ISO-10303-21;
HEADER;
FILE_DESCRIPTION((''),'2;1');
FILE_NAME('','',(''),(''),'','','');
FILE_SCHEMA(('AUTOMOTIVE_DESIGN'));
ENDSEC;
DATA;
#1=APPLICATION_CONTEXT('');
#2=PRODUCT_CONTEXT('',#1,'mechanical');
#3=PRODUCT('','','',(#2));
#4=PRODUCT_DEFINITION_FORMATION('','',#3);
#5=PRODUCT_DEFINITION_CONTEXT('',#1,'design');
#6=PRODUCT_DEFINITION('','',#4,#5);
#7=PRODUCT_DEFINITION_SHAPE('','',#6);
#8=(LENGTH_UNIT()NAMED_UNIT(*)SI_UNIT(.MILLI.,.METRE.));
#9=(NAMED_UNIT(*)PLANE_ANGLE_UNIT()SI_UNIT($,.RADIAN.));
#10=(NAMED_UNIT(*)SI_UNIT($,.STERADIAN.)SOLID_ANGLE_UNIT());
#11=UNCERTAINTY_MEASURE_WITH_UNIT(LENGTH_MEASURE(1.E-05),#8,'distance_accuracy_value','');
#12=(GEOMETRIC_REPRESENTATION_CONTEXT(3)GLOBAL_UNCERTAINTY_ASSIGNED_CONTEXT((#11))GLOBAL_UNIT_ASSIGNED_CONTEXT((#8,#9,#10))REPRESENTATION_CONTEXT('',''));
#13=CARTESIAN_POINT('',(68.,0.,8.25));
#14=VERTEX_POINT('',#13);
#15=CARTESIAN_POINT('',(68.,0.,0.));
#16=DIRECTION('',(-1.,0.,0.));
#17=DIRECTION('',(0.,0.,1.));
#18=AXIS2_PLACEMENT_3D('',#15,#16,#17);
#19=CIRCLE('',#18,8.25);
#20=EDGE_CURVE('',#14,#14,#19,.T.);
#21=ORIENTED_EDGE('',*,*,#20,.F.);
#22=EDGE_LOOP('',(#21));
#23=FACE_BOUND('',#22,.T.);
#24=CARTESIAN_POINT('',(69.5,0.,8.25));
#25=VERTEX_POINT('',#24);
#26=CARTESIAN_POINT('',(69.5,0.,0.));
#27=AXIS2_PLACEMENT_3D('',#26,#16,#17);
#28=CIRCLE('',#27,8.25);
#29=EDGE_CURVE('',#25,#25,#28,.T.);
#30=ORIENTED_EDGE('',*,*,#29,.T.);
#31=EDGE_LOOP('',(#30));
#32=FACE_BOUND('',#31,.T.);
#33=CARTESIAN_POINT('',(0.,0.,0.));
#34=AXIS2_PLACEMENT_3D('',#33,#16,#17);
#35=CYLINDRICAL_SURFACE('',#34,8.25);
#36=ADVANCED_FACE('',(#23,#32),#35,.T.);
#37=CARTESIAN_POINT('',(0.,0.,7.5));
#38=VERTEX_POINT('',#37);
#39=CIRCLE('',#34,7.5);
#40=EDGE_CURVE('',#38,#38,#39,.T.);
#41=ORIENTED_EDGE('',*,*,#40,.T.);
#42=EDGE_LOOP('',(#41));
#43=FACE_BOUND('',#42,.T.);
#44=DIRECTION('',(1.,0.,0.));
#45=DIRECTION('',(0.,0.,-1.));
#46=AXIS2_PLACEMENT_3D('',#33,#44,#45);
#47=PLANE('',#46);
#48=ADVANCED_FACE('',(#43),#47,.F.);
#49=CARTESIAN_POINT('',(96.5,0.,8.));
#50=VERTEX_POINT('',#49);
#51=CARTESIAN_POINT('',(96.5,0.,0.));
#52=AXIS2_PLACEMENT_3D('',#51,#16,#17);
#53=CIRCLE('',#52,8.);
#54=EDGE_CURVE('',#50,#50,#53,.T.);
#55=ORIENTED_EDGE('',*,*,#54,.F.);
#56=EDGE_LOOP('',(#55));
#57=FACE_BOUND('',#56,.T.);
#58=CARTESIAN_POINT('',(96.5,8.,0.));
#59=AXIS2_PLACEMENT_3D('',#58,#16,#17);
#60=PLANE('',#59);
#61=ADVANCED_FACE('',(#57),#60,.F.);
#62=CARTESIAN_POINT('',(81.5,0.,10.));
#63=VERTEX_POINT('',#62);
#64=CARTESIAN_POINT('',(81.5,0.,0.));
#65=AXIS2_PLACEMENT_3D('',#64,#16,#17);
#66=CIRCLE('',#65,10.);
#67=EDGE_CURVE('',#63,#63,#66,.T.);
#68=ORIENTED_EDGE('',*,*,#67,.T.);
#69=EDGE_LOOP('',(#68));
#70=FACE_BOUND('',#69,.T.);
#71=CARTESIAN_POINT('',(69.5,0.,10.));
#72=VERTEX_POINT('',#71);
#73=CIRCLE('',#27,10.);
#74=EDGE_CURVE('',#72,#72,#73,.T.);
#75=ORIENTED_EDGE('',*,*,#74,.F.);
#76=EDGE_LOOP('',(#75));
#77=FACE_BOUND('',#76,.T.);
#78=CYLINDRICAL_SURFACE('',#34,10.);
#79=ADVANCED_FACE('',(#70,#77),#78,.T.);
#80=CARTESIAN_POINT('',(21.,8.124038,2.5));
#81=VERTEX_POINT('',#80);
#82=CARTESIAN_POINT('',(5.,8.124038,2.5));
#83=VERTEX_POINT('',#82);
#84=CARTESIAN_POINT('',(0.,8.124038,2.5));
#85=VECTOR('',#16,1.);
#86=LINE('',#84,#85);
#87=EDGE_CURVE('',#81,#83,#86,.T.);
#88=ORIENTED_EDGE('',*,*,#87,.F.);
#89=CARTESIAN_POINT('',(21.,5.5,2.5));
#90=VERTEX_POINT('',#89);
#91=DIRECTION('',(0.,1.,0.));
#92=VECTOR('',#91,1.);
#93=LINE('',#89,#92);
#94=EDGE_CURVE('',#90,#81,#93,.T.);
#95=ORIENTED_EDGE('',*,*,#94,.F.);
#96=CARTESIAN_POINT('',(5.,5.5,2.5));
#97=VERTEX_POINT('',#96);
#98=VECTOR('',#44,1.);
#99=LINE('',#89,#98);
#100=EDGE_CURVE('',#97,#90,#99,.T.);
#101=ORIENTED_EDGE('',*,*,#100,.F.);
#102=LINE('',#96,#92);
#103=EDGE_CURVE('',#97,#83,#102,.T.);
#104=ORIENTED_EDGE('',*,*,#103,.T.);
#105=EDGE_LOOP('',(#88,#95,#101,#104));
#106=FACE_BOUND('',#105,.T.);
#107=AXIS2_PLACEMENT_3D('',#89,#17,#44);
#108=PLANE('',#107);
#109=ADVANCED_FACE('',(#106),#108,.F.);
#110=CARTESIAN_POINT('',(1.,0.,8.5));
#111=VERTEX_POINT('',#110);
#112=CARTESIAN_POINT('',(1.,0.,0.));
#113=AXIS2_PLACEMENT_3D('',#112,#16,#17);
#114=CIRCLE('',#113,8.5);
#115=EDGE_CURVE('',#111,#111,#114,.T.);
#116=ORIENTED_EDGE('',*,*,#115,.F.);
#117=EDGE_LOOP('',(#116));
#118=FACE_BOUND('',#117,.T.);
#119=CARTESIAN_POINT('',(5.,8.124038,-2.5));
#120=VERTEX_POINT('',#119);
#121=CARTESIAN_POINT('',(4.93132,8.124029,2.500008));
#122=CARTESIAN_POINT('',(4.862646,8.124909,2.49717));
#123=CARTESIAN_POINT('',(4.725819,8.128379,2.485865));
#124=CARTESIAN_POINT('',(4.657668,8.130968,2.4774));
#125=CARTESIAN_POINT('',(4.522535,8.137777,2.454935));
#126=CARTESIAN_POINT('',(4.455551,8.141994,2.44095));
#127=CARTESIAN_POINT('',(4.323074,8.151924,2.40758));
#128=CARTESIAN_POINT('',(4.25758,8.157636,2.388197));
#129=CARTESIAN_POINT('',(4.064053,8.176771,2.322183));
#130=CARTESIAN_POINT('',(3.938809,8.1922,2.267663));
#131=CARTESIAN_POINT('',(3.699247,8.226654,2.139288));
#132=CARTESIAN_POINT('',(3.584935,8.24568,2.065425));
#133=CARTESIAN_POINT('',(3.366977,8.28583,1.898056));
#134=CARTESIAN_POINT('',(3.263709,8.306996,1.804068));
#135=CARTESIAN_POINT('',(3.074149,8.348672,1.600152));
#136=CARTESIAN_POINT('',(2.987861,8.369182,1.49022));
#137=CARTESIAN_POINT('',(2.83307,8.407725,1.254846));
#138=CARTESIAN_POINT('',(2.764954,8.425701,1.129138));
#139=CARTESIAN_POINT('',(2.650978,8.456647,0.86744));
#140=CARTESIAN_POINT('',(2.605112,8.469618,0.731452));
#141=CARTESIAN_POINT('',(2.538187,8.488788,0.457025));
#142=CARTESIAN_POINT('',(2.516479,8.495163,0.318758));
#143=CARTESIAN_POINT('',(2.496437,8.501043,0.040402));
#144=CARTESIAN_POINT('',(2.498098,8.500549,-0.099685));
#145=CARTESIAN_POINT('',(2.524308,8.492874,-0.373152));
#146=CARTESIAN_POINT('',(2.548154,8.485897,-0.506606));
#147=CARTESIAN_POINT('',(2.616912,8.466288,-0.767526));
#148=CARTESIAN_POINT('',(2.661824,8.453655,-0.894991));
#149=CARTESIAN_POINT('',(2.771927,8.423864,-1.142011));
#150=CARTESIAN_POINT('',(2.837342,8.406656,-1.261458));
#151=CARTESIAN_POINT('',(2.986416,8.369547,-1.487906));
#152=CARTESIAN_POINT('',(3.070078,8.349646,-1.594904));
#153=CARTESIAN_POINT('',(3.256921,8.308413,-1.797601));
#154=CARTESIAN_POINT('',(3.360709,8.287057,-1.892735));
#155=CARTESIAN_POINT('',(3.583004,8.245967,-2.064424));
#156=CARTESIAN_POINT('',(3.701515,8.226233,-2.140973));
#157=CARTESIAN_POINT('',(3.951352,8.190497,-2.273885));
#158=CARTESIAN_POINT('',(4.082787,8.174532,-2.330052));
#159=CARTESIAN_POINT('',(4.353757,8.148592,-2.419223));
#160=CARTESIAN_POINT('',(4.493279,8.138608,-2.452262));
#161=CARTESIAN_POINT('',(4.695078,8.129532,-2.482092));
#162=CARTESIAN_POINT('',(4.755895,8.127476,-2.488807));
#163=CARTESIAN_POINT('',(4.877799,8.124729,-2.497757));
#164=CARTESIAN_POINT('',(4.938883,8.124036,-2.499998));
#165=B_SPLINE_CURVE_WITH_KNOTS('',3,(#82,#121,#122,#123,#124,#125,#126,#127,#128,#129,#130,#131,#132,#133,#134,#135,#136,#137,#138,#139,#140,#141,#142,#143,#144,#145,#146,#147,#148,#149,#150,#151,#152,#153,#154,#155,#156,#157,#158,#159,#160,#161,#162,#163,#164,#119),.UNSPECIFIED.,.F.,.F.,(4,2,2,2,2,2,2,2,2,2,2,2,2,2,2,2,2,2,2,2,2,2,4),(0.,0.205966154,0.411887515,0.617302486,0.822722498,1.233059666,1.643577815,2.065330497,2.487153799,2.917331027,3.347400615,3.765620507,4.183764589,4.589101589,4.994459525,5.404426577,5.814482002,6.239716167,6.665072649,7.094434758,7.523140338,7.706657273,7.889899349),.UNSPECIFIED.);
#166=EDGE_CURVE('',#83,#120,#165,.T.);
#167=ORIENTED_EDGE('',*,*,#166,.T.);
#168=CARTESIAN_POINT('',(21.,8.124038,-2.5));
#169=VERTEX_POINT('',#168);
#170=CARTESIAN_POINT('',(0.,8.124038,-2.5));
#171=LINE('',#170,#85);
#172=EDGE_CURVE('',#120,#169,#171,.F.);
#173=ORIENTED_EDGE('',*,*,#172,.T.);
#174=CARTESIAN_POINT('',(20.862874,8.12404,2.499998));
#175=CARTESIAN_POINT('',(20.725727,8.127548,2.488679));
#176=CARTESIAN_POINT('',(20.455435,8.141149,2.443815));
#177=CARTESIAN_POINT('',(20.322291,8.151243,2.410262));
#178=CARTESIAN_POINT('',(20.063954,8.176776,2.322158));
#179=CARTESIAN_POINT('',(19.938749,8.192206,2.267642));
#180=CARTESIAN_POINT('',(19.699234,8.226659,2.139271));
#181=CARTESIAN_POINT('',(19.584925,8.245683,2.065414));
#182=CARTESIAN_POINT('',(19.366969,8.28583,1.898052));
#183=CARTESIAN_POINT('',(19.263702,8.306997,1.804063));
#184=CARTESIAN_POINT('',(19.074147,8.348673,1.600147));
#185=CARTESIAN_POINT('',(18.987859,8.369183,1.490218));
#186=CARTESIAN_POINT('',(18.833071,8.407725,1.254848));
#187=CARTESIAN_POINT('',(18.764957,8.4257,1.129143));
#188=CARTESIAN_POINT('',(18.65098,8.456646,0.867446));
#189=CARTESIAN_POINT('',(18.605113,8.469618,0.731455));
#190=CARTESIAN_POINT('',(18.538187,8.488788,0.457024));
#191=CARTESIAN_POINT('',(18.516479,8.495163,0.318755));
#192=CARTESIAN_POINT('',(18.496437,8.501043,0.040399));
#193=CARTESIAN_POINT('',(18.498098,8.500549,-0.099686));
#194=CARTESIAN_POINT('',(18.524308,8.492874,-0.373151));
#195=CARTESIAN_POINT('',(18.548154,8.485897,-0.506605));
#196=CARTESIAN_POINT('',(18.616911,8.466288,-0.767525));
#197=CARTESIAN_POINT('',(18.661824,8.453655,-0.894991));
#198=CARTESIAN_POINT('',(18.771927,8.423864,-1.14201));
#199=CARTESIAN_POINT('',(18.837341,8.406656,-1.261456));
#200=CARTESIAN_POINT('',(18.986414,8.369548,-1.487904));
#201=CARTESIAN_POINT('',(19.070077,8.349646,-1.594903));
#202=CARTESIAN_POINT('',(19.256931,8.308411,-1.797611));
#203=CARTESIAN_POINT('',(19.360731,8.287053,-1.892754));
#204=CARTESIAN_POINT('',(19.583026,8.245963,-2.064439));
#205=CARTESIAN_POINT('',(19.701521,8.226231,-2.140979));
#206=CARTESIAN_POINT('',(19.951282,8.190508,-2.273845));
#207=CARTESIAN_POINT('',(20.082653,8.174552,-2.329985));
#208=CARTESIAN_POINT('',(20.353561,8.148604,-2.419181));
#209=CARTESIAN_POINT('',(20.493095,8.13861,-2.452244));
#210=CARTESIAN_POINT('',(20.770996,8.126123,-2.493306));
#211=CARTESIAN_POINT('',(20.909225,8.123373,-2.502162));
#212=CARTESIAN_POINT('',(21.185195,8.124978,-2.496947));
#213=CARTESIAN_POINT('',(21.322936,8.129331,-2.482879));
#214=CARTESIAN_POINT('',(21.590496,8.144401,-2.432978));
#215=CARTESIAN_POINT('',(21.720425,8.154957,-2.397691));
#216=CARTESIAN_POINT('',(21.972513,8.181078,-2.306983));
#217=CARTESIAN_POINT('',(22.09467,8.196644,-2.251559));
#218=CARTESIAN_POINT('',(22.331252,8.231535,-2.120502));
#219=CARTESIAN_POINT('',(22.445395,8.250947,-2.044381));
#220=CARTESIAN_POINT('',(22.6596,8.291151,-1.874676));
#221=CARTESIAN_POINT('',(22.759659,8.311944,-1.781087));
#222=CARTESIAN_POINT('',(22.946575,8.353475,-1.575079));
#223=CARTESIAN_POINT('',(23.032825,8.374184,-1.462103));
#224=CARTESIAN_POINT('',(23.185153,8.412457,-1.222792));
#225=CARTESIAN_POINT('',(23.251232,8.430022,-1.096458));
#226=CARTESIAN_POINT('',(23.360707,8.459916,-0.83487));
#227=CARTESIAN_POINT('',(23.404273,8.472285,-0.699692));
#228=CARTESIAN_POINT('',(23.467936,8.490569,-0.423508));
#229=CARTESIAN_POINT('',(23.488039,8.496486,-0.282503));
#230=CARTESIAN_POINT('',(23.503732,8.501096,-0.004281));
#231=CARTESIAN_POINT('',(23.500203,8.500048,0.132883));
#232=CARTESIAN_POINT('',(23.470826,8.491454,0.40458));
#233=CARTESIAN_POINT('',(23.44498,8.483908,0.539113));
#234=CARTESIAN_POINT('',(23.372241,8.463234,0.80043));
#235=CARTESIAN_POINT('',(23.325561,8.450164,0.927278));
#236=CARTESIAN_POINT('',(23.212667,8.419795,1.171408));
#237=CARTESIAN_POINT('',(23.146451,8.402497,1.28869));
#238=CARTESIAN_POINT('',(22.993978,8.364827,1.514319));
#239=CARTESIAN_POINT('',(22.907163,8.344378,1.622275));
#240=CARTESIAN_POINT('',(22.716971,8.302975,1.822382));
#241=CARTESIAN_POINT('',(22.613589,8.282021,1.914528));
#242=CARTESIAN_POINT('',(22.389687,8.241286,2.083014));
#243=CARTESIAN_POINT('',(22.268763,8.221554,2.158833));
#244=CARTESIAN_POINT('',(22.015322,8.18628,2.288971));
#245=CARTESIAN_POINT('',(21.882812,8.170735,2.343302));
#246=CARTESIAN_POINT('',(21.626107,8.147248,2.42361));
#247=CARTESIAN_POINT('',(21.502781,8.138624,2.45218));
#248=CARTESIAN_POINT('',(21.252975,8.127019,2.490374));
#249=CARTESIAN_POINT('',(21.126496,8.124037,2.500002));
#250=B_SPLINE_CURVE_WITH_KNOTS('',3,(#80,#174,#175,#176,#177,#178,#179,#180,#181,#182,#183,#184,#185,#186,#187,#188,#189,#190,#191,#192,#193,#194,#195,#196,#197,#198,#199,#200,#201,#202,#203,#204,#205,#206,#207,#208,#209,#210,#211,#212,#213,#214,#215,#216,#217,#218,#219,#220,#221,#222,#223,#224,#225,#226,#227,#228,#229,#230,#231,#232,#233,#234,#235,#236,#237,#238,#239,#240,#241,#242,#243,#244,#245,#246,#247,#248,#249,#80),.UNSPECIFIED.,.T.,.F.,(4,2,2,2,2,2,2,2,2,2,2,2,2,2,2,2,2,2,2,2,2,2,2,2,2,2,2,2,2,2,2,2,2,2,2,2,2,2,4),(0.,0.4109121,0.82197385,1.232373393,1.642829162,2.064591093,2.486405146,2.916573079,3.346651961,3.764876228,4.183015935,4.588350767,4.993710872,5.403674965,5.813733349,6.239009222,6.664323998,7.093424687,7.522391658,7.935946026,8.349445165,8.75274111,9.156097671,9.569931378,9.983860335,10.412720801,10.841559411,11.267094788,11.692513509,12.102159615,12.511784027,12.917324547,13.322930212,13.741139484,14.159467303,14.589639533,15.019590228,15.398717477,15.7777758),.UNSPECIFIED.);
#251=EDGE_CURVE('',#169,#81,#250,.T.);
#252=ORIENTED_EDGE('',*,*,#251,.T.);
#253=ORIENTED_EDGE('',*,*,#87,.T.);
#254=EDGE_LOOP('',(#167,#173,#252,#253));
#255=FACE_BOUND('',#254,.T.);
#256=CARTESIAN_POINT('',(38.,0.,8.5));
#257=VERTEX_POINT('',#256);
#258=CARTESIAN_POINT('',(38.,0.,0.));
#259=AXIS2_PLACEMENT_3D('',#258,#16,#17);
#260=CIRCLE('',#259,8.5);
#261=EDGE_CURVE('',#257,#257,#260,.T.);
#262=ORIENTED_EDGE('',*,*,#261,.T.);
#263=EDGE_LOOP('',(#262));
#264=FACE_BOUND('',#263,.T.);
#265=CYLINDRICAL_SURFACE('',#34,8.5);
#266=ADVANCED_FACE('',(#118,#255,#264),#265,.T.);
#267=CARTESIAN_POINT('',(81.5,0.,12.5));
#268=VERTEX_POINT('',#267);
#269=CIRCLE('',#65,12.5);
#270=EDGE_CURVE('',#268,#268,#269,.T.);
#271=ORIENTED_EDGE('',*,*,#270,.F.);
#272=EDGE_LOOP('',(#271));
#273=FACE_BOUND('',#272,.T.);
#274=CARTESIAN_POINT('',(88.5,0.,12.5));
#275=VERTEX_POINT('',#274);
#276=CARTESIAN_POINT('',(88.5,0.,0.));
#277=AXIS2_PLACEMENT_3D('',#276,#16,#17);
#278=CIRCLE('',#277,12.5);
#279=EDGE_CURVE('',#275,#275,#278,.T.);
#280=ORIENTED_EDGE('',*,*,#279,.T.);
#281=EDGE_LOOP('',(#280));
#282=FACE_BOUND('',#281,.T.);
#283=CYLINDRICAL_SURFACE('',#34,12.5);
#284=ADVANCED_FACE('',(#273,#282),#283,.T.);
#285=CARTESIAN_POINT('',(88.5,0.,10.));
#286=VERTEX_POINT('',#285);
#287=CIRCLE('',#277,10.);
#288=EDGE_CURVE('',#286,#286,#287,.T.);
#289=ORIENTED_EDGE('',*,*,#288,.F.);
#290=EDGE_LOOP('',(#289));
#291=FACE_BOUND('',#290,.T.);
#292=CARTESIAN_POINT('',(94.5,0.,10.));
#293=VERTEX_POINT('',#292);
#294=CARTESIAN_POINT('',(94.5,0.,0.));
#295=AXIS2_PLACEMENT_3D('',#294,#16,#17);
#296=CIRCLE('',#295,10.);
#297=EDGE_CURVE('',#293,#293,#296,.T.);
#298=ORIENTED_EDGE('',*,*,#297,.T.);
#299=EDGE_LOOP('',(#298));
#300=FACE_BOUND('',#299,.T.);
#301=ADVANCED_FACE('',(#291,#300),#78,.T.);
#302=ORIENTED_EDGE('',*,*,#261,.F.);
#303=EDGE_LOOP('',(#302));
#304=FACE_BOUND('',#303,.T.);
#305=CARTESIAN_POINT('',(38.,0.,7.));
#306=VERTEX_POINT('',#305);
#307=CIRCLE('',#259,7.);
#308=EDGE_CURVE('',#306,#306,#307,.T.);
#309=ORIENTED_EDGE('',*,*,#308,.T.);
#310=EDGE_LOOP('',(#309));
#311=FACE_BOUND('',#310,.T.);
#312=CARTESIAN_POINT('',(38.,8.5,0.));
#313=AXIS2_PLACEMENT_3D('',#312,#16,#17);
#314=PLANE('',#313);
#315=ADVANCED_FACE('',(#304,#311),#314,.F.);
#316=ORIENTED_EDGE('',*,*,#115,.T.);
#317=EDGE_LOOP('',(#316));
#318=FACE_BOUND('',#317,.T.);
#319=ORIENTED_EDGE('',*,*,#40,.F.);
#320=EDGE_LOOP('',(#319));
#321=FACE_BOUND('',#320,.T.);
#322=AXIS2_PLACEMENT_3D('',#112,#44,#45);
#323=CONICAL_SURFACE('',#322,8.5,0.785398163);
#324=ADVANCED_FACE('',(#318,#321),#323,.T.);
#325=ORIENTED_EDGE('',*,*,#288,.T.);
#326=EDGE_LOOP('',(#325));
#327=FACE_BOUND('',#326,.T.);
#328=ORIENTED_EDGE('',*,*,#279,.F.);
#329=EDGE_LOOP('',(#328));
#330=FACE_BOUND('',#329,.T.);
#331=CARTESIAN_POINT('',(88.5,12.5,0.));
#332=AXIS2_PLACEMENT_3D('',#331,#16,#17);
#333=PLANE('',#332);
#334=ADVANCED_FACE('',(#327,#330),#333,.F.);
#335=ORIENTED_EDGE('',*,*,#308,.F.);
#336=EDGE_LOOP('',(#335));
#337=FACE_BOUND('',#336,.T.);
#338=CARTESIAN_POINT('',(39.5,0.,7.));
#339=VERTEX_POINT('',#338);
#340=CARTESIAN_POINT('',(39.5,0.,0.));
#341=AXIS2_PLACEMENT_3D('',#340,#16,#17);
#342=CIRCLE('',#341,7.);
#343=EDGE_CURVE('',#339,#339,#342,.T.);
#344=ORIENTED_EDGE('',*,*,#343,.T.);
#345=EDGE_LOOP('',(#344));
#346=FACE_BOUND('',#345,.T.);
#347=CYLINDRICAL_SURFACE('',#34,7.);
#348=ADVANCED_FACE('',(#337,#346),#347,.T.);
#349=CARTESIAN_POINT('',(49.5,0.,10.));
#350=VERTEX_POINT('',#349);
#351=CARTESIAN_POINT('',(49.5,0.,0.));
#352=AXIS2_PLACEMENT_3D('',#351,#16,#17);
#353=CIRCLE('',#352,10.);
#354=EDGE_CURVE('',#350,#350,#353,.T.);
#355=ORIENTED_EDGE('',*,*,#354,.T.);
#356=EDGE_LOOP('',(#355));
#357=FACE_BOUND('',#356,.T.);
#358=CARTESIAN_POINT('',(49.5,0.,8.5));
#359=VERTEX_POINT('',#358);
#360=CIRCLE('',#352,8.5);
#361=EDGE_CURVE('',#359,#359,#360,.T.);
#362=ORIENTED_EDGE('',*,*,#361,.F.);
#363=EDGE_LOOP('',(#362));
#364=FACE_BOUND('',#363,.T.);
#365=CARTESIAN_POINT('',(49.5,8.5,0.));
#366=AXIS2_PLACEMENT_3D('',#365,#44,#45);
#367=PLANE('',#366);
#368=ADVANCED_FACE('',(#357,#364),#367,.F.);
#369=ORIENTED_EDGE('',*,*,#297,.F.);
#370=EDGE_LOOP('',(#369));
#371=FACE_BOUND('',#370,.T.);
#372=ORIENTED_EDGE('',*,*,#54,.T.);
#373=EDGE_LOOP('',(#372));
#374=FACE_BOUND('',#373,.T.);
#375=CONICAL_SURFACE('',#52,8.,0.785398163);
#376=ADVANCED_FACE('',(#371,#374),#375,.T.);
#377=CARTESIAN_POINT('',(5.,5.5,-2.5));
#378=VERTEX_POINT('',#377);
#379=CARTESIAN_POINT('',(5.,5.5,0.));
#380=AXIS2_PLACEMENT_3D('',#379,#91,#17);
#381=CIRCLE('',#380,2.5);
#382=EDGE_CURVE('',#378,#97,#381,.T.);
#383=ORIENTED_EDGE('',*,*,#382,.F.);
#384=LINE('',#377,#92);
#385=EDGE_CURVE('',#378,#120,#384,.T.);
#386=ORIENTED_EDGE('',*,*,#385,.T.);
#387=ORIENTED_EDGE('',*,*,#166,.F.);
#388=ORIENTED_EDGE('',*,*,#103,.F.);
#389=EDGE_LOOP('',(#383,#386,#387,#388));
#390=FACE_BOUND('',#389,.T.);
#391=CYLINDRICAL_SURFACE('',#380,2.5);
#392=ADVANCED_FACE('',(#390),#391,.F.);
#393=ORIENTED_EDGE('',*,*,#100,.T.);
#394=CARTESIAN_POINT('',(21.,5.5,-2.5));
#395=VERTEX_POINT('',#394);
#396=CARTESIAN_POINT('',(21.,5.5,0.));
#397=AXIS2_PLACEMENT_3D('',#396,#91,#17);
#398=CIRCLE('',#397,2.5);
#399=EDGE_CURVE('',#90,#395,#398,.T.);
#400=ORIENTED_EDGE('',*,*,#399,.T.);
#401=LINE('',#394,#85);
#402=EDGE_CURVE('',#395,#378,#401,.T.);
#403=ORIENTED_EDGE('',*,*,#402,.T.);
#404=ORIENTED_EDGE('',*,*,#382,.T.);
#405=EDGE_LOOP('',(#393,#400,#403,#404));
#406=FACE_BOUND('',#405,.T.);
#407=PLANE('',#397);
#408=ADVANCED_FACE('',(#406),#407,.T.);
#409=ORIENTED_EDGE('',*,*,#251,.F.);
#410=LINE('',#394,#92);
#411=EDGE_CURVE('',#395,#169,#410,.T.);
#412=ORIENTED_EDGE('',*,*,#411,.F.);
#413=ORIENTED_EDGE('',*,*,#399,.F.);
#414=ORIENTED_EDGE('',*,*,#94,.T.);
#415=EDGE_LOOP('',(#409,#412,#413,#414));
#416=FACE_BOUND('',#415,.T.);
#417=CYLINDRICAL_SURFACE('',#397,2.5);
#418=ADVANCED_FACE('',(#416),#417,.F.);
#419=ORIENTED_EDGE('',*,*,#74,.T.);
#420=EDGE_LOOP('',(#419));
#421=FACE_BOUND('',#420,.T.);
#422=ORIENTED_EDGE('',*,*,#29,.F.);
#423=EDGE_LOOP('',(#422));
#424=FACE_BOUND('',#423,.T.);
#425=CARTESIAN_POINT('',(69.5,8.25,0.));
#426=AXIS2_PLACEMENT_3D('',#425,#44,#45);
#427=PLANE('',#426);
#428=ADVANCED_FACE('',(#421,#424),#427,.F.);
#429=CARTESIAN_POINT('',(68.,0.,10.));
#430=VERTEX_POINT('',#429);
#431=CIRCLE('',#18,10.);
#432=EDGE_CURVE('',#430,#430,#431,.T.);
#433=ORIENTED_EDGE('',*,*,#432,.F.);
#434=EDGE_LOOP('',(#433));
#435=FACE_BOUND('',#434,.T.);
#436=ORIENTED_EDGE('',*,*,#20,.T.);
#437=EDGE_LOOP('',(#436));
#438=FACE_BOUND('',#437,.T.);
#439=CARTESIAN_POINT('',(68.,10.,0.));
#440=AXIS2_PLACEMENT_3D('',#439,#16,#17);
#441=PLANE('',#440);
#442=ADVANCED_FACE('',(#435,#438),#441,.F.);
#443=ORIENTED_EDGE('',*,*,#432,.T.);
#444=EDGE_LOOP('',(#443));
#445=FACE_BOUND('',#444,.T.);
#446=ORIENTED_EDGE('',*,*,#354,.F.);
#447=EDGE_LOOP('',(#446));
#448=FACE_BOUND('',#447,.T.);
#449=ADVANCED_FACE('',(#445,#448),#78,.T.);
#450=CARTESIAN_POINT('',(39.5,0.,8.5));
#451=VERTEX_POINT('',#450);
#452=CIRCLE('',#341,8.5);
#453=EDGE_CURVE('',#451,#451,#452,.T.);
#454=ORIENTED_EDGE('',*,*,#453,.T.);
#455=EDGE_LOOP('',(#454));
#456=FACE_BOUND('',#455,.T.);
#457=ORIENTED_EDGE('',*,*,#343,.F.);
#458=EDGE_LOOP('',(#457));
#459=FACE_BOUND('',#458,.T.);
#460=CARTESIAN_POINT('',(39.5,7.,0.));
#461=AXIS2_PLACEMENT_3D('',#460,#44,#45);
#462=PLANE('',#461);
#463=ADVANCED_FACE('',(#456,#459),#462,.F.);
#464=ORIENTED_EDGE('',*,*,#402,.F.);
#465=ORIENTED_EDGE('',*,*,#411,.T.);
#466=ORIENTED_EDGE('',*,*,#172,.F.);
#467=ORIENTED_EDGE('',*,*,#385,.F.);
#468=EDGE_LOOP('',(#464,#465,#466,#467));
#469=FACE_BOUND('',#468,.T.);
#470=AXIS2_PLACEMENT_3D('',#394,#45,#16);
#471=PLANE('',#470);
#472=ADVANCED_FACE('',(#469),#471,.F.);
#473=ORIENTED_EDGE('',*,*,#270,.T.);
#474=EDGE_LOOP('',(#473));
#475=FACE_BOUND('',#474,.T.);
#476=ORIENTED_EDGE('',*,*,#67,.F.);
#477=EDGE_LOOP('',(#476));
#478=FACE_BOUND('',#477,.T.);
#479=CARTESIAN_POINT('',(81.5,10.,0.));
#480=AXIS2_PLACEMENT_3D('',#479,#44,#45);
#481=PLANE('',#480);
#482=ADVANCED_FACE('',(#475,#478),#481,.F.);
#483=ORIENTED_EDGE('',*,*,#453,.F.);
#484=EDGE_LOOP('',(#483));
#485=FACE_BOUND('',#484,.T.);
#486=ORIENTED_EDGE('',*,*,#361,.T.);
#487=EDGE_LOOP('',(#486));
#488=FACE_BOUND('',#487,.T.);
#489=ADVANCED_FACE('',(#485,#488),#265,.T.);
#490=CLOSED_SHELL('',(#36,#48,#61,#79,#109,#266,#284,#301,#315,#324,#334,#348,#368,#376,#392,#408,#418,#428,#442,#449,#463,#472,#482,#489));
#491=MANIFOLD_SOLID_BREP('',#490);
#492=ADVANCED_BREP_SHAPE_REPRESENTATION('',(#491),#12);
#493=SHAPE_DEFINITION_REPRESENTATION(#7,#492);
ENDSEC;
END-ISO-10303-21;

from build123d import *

# Parameters (mm, degrees)
ENL_V_MAT_EXTRU_1_DEPTH = 4.5


with BuildPart() as part:
    # Esquisse1 → Base-Révolution (revolve)
    with BuildSketch(Plane.XY, mode=Mode.PRIVATE) as base_r_volution_sk:
        Polygon((0, 0), (0, 7.5), (1, 8.5), (38, 8.5), (38, 7), (39.5, 7), (39.5, 8.5), (49.5, 8.5), (49.5, 10), (68, 10), (68, 8.25), (69.5, 8.25), (69.5, 10), (81.5, 10), (81.5, 12.5), (88.5, 12.5), (88.5, 10), (94.5, 10), (96.5, 8), (96.5, 0), align=None)
    revolve(base_r_volution_sk.sketch.rotate(Axis((0, 0, 0), (1, 0, 0)), 90), axis=Axis((0, 0, 0), (1, 0, 0)))

    # Esquisse2 → Enlèv. mat.-Extru.1 (cut)
    with BuildSketch(Plane(origin=(0, 10, 0), x_dir=(-1, 0, 0), z_dir=(0, 1, 0))):
        with BuildLine():
            Line((-21, 2.5), (-5, 2.5))
            ThreePointArc((-5, 2.5), (-2.5, 0), (-5, -2.5))
            Line((-5, -2.5), (-21, -2.5))
            ThreePointArc((-21, -2.5), (-23.5, 0), (-21, 2.5))
        make_face()
    extrude(amount=-ENL_V_MAT_EXTRU_1_DEPTH, mode=Mode.SUBTRACT)


solid = part.part
